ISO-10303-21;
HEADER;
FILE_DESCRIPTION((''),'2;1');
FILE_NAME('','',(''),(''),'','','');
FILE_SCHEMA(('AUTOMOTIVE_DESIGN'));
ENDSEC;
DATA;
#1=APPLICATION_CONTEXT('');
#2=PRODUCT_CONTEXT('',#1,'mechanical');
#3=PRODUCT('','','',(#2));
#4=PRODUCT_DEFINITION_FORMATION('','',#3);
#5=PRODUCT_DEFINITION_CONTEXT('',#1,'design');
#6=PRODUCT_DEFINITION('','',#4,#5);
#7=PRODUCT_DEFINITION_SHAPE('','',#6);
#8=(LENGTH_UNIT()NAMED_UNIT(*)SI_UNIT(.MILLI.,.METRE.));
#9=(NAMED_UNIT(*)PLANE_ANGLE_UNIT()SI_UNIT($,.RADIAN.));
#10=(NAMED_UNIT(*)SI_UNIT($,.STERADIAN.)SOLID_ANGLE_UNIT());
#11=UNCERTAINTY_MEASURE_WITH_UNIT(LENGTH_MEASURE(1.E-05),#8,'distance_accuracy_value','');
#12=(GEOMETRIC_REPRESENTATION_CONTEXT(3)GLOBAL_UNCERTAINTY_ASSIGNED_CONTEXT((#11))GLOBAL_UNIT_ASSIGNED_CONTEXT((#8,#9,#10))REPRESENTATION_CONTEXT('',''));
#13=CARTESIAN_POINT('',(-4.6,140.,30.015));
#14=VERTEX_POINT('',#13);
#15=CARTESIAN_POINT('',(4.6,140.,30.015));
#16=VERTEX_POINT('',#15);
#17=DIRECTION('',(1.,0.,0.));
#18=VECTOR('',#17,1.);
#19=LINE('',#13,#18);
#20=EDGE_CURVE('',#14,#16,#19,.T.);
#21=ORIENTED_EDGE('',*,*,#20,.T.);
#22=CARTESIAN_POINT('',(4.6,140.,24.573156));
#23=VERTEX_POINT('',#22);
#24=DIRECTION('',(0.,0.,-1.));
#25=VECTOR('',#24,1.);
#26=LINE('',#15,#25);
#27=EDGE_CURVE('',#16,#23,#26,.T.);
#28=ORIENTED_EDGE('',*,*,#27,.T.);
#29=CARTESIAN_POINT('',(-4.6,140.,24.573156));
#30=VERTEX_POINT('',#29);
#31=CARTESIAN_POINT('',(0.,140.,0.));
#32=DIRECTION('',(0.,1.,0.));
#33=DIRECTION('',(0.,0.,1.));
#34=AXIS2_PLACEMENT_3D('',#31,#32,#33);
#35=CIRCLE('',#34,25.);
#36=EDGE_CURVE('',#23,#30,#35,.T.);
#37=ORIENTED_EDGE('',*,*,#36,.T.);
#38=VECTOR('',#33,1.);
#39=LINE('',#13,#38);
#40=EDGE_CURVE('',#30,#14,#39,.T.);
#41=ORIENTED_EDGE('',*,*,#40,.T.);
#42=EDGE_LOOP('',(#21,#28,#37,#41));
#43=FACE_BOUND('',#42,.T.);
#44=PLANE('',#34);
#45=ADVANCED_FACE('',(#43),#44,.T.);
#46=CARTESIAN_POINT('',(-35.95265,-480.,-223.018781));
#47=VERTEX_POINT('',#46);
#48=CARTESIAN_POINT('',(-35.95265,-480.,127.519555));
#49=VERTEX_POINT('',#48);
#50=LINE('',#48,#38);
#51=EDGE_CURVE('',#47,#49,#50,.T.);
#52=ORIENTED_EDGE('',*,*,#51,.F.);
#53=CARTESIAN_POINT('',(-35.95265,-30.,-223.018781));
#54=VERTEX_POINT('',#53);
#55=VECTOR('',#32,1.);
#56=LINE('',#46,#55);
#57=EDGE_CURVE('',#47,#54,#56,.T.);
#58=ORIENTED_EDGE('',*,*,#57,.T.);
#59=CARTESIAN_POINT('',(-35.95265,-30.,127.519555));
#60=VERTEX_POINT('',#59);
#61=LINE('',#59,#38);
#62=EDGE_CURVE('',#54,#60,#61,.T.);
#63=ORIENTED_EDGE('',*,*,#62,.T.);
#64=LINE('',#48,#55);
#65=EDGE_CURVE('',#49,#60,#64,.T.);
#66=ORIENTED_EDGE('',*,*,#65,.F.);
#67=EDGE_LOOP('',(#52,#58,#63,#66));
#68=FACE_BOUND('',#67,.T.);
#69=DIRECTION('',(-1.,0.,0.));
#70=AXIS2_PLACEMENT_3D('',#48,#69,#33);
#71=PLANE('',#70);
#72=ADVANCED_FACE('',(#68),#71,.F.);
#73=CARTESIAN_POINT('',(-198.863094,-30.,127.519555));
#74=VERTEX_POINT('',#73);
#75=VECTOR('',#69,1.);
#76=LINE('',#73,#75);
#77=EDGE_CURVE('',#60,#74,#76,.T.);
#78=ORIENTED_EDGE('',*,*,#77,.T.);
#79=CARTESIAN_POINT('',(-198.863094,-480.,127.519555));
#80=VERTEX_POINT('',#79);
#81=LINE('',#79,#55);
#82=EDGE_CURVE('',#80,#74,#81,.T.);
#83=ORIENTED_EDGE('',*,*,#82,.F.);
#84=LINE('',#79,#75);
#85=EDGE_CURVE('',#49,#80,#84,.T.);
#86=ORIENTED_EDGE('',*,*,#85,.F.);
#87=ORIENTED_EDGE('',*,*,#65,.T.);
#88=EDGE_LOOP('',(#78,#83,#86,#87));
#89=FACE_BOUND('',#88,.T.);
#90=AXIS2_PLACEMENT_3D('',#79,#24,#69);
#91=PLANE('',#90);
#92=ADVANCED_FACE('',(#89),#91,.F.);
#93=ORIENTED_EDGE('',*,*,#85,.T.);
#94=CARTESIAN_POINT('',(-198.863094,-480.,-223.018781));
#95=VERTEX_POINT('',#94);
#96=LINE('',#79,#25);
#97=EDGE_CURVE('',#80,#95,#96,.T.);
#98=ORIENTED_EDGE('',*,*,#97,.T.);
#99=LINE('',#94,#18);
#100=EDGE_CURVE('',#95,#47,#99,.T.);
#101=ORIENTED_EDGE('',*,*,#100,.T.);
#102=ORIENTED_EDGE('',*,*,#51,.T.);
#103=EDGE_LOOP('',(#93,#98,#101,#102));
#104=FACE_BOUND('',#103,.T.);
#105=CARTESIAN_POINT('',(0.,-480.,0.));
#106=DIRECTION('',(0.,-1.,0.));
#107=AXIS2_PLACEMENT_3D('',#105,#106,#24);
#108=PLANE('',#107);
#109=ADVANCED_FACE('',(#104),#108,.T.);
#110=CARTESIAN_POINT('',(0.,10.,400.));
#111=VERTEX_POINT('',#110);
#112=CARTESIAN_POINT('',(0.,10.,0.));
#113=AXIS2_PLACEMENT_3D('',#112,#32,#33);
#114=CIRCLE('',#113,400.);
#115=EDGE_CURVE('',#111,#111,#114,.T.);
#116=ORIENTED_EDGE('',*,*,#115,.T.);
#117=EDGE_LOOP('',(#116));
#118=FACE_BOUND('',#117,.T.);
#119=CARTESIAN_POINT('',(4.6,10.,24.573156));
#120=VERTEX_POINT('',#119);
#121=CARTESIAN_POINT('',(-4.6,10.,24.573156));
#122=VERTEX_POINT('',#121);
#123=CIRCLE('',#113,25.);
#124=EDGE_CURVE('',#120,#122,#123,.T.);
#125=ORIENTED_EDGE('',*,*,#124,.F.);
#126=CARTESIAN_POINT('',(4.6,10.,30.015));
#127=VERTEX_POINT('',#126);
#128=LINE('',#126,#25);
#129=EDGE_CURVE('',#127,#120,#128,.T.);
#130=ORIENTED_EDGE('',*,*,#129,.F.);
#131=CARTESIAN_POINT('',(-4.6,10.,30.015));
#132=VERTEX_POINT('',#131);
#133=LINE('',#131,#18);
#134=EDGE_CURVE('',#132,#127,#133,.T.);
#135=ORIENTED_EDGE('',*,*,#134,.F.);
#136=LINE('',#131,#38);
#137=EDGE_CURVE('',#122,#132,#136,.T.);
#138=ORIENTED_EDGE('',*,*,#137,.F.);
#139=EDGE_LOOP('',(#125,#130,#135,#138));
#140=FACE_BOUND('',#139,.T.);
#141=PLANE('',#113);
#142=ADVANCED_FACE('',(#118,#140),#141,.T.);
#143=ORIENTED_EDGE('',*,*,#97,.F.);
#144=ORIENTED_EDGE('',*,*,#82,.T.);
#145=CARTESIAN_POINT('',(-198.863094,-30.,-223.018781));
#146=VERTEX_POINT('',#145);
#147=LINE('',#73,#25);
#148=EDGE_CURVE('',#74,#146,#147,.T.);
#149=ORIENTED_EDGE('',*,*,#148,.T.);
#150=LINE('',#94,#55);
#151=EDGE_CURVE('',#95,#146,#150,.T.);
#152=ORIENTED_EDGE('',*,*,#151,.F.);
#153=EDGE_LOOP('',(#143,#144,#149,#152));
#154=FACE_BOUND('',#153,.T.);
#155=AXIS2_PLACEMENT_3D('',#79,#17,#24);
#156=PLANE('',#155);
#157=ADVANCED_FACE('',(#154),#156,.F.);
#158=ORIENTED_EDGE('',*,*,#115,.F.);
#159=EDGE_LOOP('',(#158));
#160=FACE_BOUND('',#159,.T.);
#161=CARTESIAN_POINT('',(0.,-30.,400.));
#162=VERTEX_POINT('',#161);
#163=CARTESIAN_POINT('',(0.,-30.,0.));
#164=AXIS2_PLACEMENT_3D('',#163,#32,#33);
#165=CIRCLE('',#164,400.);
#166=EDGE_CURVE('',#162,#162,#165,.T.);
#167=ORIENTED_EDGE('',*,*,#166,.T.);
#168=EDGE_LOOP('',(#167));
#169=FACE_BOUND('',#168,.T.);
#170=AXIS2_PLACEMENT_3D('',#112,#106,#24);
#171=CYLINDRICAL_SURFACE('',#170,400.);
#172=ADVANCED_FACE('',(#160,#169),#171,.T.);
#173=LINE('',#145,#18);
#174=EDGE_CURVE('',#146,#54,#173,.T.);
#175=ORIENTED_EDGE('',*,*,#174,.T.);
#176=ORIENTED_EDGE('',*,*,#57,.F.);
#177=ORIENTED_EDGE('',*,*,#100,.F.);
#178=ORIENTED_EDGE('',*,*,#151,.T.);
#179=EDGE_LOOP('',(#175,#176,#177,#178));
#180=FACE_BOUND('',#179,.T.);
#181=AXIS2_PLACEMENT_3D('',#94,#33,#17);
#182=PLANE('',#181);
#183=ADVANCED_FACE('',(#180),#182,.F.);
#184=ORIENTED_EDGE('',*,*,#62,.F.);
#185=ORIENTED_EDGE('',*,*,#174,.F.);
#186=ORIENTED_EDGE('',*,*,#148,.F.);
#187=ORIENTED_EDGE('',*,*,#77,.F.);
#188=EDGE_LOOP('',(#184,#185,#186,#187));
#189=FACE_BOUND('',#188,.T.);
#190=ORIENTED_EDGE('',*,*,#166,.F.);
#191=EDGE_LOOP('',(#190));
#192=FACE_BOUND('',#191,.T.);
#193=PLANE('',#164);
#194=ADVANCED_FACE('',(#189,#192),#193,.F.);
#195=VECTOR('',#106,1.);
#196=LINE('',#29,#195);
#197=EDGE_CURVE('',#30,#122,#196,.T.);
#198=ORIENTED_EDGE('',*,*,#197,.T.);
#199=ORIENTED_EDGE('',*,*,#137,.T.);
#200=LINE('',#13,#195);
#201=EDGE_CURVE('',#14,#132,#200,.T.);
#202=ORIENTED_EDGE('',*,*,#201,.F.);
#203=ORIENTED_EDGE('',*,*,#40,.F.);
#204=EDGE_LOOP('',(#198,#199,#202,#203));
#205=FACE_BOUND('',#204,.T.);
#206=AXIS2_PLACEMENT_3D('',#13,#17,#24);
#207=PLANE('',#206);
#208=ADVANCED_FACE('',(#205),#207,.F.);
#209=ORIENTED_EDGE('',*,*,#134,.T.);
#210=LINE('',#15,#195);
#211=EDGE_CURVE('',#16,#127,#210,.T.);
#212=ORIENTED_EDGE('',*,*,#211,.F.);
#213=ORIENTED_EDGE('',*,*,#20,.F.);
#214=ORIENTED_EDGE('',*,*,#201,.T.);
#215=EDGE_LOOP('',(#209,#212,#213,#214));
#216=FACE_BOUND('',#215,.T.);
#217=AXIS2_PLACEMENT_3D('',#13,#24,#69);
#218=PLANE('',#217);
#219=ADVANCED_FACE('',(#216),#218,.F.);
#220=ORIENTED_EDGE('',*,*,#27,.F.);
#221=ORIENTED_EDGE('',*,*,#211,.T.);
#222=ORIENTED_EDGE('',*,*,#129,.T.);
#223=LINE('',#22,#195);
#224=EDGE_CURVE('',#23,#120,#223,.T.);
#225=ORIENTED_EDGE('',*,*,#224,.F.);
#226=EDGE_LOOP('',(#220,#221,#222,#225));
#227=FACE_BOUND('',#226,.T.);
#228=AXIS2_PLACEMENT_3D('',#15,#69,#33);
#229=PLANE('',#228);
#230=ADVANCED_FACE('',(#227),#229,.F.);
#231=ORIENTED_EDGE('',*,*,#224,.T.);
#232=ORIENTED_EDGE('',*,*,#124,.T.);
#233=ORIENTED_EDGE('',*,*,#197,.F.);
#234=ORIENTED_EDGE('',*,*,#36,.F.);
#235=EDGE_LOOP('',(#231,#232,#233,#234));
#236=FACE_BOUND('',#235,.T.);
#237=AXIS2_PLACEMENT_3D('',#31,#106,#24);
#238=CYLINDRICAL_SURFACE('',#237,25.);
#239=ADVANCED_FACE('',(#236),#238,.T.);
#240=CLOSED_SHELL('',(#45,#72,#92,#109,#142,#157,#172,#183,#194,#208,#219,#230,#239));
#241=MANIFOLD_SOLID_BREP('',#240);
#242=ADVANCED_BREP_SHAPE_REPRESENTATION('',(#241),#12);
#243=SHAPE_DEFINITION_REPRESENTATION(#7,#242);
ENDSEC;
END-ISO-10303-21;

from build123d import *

# Parameters (mm, degrees)
SKETCH1_R           = 400
BOSS_EXTRUDE1_DEPTH = 10
BOSS_EXTRUDE5_DEPTH = 130
BOSS_EXTRUDE6_START = -30
SKETCH1_4_R         = 400
BOSS_EXTRUDE6_DEPTH = 30
SKETCH4_W           = 162.910444241
SKETCH4_H           = 350.538335194
BOSS_EXTRUDE7_DEPTH = 450


with BuildPart() as part:
    # Sketch1 → Boss-Extrude1 (new body)
    with BuildSketch(Plane(origin=(0, 0, 0), x_dir=(1, 0, 0), z_dir=(0, 1, 0))):
        Circle(SKETCH1_R)
    extrude(amount=BOSS_EXTRUDE1_DEPTH)

    # Sketch3 → Boss-Extrude5 (add)
    with BuildSketch(Plane(origin=(0, 10, 0), x_dir=(1, 0, 0), z_dir=(0, 1, 0))):
        with BuildLine():
            Line((-4.6, -30.015), (4.6, -30.015))
            Line((4.6, -30.015), (4.6, -24.573156085))
            ThreePointArc((4.6, -24.573156085), (0, 25), (-4.6, -24.573156085))
            Line((-4.6, -24.573156085), (-4.6, -30.015))
        make_face()
    extrude(amount=BOSS_EXTRUDE5_DEPTH)

    # Sketch1<4> → Boss-Extrude6 (add)
    with BuildSketch(Plane(origin=(0, 0, 0), x_dir=(1, 0, 0), z_dir=(0, 1, 0)).offset(BOSS_EXTRUDE6_START)):
        Circle(SKETCH1_4_R)
    extrude(amount=BOSS_EXTRUDE6_DEPTH)

    # Sketch4 → Boss-Extrude7 (add)
    with BuildSketch(Plane.XZ.offset(30)):
        with Locations((-117.407871884, -47.749612967)):
            Rectangle(SKETCH4_W, SKETCH4_H)
    extrude(amount=BOSS_EXTRUDE7_DEPTH)


solid = part.part
